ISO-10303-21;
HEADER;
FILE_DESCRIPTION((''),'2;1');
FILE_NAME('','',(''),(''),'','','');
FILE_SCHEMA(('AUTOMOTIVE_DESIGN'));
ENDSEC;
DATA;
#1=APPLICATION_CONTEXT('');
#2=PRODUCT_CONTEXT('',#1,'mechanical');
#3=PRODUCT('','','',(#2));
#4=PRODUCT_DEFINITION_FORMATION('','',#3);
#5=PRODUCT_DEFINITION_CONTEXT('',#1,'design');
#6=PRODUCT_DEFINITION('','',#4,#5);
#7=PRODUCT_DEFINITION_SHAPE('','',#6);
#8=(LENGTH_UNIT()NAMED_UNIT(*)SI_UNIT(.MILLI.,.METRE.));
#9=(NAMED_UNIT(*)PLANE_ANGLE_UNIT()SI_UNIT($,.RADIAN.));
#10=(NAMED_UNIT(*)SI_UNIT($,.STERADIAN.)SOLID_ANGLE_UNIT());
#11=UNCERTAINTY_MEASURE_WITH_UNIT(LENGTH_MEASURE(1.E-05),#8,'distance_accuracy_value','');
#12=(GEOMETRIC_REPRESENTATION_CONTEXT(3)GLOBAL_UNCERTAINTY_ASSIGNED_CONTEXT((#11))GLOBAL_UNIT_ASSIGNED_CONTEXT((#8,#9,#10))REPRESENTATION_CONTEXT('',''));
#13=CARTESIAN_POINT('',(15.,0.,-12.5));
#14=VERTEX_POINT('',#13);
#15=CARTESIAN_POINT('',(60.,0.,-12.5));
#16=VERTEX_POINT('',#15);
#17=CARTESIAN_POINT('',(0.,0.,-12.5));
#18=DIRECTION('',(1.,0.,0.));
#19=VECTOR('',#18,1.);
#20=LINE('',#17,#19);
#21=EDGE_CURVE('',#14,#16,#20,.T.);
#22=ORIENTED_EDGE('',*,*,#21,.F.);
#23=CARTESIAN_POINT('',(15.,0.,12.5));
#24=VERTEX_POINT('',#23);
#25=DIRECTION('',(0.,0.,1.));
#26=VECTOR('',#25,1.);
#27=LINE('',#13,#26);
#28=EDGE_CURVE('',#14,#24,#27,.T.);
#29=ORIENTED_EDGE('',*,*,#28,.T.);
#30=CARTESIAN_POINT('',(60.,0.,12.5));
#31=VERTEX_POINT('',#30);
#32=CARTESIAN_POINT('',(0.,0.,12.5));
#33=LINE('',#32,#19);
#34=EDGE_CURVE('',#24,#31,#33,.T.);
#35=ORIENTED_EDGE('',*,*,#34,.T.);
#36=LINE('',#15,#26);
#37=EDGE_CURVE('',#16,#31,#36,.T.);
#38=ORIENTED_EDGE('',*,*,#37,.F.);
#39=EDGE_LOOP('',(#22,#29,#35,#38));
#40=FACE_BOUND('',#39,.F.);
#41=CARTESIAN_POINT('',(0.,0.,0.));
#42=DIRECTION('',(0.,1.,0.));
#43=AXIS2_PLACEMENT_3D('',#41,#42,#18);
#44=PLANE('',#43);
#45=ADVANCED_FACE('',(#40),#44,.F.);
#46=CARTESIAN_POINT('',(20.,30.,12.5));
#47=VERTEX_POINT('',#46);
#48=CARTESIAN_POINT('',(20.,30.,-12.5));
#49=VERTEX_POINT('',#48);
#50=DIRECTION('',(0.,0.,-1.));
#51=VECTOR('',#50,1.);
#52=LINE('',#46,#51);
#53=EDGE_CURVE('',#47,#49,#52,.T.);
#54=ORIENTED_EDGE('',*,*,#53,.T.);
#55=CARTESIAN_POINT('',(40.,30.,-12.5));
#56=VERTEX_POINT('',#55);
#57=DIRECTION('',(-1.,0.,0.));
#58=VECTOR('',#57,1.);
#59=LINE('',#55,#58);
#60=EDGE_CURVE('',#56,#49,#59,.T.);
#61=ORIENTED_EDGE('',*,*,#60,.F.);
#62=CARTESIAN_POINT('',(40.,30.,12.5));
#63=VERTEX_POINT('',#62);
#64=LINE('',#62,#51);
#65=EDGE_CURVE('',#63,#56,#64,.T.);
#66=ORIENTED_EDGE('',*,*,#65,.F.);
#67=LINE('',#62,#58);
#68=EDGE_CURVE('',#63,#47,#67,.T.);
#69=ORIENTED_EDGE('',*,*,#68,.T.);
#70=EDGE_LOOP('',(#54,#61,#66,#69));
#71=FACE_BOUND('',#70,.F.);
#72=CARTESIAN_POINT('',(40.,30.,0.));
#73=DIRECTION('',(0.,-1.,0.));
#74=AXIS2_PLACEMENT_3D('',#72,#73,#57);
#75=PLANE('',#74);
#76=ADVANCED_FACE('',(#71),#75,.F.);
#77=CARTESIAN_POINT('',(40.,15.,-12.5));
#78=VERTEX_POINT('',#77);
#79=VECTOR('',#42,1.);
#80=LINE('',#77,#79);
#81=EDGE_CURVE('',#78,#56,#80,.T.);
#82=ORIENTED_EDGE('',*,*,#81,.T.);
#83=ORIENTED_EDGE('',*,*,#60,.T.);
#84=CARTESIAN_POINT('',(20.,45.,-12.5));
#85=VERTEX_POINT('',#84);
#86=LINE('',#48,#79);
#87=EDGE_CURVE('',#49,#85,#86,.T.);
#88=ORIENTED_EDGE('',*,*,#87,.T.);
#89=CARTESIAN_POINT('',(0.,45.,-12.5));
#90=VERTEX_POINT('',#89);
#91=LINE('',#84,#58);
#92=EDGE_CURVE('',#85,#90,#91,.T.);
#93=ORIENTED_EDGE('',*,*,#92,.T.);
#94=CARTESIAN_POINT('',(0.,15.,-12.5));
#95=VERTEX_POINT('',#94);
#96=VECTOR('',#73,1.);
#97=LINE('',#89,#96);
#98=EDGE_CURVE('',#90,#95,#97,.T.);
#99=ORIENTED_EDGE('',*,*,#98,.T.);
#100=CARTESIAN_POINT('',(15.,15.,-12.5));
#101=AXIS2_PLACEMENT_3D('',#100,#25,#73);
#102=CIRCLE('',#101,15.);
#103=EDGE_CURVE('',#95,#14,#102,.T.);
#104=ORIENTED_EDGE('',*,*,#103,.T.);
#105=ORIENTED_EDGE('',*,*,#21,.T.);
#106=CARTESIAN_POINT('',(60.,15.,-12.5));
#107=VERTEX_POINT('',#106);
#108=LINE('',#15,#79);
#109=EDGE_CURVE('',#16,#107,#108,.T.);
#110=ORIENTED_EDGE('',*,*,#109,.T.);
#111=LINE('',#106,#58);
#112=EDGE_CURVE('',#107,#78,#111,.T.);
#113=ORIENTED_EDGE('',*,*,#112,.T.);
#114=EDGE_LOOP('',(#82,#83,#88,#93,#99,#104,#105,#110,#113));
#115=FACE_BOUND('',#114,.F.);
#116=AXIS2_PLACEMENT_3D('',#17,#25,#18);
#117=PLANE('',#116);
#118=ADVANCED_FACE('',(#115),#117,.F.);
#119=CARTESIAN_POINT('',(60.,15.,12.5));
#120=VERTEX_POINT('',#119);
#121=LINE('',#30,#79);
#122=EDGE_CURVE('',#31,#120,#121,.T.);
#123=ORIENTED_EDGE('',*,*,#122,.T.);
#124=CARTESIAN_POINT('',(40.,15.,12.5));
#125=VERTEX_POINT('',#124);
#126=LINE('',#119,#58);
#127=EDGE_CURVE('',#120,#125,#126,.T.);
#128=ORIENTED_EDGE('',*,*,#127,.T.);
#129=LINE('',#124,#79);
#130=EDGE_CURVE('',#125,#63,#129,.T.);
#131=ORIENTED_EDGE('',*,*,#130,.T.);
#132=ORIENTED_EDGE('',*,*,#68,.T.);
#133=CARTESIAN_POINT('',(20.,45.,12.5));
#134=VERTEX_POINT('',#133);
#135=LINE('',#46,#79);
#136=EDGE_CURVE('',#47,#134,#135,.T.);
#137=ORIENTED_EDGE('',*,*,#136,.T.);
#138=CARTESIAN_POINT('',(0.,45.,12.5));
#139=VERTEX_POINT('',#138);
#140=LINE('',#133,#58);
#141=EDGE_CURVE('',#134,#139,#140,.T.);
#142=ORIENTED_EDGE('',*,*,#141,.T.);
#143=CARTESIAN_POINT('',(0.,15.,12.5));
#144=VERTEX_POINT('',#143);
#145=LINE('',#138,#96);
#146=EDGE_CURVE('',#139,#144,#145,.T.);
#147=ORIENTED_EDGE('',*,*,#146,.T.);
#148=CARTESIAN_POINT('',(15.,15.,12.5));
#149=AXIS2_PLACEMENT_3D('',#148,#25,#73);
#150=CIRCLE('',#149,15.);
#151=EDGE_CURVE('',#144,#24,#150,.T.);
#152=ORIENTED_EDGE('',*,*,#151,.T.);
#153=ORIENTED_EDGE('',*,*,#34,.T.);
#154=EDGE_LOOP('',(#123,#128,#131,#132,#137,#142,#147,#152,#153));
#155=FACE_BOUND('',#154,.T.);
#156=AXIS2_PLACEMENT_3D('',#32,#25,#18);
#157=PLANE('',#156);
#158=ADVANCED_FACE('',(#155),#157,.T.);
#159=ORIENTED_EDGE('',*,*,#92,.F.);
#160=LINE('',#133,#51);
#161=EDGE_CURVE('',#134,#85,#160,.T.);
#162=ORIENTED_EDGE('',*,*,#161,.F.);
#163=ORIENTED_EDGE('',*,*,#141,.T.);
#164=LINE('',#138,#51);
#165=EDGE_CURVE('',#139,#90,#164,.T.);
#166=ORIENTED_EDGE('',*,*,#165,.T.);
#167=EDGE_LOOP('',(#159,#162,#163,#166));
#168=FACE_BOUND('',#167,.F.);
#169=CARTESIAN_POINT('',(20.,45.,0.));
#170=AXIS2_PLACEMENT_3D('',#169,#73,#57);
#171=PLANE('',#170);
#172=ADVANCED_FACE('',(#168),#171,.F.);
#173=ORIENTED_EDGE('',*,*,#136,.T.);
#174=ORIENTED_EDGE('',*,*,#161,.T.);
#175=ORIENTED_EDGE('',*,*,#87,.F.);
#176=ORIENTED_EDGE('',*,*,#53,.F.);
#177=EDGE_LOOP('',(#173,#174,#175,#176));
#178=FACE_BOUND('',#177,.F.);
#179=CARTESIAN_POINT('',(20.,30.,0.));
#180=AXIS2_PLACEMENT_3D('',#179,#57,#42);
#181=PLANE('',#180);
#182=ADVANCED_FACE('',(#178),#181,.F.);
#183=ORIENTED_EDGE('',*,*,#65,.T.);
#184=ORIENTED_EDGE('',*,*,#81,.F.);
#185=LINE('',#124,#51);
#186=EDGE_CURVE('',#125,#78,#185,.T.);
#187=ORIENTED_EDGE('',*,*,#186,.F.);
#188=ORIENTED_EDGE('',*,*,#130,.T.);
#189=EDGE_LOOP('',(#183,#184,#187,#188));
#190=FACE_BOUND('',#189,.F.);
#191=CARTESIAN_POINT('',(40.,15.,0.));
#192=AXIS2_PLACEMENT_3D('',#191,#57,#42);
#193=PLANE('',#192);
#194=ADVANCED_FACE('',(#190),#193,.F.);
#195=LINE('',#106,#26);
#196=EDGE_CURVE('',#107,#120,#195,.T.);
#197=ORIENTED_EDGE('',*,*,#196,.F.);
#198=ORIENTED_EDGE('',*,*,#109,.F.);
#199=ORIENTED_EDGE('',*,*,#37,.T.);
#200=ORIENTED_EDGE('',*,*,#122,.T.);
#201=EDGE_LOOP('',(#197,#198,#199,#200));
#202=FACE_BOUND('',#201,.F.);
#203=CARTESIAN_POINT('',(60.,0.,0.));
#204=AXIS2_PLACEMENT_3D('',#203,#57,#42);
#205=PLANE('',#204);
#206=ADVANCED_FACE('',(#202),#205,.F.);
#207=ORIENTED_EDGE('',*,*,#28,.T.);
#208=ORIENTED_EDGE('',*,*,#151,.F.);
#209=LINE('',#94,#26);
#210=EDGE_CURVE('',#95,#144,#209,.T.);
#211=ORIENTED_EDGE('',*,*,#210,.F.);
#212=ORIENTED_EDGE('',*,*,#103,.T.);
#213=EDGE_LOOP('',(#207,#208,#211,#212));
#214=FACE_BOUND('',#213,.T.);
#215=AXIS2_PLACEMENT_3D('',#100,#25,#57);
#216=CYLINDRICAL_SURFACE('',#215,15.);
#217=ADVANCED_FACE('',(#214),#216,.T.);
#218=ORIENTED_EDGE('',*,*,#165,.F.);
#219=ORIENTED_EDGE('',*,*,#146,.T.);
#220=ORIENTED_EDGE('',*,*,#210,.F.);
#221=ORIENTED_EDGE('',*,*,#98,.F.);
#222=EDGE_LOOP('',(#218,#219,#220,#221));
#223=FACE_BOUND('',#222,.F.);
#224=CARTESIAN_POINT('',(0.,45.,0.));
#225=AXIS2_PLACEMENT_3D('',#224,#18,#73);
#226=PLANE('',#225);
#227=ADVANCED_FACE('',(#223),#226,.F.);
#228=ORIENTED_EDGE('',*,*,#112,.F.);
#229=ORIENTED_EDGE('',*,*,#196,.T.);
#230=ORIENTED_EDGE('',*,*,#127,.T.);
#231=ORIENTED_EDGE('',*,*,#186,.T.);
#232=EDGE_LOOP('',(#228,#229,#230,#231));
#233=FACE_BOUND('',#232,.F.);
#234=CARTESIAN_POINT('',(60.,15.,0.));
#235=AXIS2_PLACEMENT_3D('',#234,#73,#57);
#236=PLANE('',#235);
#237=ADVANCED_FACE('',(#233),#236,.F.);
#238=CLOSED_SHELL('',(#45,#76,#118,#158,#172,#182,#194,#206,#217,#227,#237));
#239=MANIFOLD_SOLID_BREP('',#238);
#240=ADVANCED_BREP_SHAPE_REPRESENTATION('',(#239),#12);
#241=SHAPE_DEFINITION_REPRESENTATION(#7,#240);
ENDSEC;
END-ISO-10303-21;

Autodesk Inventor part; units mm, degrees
ref_plane "YZ Plane" through (0, 0, 0) normal (1, 0, 0) x (0, 1, 0)
ref_plane "XZ Plane" through (0, 0, 0) normal (0, 1, 0) x (-1, 0, 0)
ref_plane "XY Plane" through (0, 0, 0) normal (0, 0, 1) x (1, 0, 0)
sketch "Sketch1" plane through (0, 0, 0) normal (0, 0, 1) x (1, 0, 0)
  line L0 (0, 0) -> (60, 0)
  line L1 (60, 0) -> (60, 15)
  line L2 (60, 15) -> (40, 15)
  line L3 (40, 15) -> (40, 30)
  line L4 (40, 30) -> (20, 30)
  line L5 (20, 30) -> (20, 45)
  line L6 (20, 45) -> (0, 45)
  line L7 (0, 45) -> (0, 0)
  dimension "d0" = 15
  dimension "d2" = 20
  dimension "d3" = 45
  dimension "d4" = 60
  dimension "d5" = 20
  dimension "d10" = 15
extrude "Extrusion1" add sketch "Sketch1" along normal mid plane 25
fillet "Fillet1" radius 15 1 edges at (0, 0, 0)
